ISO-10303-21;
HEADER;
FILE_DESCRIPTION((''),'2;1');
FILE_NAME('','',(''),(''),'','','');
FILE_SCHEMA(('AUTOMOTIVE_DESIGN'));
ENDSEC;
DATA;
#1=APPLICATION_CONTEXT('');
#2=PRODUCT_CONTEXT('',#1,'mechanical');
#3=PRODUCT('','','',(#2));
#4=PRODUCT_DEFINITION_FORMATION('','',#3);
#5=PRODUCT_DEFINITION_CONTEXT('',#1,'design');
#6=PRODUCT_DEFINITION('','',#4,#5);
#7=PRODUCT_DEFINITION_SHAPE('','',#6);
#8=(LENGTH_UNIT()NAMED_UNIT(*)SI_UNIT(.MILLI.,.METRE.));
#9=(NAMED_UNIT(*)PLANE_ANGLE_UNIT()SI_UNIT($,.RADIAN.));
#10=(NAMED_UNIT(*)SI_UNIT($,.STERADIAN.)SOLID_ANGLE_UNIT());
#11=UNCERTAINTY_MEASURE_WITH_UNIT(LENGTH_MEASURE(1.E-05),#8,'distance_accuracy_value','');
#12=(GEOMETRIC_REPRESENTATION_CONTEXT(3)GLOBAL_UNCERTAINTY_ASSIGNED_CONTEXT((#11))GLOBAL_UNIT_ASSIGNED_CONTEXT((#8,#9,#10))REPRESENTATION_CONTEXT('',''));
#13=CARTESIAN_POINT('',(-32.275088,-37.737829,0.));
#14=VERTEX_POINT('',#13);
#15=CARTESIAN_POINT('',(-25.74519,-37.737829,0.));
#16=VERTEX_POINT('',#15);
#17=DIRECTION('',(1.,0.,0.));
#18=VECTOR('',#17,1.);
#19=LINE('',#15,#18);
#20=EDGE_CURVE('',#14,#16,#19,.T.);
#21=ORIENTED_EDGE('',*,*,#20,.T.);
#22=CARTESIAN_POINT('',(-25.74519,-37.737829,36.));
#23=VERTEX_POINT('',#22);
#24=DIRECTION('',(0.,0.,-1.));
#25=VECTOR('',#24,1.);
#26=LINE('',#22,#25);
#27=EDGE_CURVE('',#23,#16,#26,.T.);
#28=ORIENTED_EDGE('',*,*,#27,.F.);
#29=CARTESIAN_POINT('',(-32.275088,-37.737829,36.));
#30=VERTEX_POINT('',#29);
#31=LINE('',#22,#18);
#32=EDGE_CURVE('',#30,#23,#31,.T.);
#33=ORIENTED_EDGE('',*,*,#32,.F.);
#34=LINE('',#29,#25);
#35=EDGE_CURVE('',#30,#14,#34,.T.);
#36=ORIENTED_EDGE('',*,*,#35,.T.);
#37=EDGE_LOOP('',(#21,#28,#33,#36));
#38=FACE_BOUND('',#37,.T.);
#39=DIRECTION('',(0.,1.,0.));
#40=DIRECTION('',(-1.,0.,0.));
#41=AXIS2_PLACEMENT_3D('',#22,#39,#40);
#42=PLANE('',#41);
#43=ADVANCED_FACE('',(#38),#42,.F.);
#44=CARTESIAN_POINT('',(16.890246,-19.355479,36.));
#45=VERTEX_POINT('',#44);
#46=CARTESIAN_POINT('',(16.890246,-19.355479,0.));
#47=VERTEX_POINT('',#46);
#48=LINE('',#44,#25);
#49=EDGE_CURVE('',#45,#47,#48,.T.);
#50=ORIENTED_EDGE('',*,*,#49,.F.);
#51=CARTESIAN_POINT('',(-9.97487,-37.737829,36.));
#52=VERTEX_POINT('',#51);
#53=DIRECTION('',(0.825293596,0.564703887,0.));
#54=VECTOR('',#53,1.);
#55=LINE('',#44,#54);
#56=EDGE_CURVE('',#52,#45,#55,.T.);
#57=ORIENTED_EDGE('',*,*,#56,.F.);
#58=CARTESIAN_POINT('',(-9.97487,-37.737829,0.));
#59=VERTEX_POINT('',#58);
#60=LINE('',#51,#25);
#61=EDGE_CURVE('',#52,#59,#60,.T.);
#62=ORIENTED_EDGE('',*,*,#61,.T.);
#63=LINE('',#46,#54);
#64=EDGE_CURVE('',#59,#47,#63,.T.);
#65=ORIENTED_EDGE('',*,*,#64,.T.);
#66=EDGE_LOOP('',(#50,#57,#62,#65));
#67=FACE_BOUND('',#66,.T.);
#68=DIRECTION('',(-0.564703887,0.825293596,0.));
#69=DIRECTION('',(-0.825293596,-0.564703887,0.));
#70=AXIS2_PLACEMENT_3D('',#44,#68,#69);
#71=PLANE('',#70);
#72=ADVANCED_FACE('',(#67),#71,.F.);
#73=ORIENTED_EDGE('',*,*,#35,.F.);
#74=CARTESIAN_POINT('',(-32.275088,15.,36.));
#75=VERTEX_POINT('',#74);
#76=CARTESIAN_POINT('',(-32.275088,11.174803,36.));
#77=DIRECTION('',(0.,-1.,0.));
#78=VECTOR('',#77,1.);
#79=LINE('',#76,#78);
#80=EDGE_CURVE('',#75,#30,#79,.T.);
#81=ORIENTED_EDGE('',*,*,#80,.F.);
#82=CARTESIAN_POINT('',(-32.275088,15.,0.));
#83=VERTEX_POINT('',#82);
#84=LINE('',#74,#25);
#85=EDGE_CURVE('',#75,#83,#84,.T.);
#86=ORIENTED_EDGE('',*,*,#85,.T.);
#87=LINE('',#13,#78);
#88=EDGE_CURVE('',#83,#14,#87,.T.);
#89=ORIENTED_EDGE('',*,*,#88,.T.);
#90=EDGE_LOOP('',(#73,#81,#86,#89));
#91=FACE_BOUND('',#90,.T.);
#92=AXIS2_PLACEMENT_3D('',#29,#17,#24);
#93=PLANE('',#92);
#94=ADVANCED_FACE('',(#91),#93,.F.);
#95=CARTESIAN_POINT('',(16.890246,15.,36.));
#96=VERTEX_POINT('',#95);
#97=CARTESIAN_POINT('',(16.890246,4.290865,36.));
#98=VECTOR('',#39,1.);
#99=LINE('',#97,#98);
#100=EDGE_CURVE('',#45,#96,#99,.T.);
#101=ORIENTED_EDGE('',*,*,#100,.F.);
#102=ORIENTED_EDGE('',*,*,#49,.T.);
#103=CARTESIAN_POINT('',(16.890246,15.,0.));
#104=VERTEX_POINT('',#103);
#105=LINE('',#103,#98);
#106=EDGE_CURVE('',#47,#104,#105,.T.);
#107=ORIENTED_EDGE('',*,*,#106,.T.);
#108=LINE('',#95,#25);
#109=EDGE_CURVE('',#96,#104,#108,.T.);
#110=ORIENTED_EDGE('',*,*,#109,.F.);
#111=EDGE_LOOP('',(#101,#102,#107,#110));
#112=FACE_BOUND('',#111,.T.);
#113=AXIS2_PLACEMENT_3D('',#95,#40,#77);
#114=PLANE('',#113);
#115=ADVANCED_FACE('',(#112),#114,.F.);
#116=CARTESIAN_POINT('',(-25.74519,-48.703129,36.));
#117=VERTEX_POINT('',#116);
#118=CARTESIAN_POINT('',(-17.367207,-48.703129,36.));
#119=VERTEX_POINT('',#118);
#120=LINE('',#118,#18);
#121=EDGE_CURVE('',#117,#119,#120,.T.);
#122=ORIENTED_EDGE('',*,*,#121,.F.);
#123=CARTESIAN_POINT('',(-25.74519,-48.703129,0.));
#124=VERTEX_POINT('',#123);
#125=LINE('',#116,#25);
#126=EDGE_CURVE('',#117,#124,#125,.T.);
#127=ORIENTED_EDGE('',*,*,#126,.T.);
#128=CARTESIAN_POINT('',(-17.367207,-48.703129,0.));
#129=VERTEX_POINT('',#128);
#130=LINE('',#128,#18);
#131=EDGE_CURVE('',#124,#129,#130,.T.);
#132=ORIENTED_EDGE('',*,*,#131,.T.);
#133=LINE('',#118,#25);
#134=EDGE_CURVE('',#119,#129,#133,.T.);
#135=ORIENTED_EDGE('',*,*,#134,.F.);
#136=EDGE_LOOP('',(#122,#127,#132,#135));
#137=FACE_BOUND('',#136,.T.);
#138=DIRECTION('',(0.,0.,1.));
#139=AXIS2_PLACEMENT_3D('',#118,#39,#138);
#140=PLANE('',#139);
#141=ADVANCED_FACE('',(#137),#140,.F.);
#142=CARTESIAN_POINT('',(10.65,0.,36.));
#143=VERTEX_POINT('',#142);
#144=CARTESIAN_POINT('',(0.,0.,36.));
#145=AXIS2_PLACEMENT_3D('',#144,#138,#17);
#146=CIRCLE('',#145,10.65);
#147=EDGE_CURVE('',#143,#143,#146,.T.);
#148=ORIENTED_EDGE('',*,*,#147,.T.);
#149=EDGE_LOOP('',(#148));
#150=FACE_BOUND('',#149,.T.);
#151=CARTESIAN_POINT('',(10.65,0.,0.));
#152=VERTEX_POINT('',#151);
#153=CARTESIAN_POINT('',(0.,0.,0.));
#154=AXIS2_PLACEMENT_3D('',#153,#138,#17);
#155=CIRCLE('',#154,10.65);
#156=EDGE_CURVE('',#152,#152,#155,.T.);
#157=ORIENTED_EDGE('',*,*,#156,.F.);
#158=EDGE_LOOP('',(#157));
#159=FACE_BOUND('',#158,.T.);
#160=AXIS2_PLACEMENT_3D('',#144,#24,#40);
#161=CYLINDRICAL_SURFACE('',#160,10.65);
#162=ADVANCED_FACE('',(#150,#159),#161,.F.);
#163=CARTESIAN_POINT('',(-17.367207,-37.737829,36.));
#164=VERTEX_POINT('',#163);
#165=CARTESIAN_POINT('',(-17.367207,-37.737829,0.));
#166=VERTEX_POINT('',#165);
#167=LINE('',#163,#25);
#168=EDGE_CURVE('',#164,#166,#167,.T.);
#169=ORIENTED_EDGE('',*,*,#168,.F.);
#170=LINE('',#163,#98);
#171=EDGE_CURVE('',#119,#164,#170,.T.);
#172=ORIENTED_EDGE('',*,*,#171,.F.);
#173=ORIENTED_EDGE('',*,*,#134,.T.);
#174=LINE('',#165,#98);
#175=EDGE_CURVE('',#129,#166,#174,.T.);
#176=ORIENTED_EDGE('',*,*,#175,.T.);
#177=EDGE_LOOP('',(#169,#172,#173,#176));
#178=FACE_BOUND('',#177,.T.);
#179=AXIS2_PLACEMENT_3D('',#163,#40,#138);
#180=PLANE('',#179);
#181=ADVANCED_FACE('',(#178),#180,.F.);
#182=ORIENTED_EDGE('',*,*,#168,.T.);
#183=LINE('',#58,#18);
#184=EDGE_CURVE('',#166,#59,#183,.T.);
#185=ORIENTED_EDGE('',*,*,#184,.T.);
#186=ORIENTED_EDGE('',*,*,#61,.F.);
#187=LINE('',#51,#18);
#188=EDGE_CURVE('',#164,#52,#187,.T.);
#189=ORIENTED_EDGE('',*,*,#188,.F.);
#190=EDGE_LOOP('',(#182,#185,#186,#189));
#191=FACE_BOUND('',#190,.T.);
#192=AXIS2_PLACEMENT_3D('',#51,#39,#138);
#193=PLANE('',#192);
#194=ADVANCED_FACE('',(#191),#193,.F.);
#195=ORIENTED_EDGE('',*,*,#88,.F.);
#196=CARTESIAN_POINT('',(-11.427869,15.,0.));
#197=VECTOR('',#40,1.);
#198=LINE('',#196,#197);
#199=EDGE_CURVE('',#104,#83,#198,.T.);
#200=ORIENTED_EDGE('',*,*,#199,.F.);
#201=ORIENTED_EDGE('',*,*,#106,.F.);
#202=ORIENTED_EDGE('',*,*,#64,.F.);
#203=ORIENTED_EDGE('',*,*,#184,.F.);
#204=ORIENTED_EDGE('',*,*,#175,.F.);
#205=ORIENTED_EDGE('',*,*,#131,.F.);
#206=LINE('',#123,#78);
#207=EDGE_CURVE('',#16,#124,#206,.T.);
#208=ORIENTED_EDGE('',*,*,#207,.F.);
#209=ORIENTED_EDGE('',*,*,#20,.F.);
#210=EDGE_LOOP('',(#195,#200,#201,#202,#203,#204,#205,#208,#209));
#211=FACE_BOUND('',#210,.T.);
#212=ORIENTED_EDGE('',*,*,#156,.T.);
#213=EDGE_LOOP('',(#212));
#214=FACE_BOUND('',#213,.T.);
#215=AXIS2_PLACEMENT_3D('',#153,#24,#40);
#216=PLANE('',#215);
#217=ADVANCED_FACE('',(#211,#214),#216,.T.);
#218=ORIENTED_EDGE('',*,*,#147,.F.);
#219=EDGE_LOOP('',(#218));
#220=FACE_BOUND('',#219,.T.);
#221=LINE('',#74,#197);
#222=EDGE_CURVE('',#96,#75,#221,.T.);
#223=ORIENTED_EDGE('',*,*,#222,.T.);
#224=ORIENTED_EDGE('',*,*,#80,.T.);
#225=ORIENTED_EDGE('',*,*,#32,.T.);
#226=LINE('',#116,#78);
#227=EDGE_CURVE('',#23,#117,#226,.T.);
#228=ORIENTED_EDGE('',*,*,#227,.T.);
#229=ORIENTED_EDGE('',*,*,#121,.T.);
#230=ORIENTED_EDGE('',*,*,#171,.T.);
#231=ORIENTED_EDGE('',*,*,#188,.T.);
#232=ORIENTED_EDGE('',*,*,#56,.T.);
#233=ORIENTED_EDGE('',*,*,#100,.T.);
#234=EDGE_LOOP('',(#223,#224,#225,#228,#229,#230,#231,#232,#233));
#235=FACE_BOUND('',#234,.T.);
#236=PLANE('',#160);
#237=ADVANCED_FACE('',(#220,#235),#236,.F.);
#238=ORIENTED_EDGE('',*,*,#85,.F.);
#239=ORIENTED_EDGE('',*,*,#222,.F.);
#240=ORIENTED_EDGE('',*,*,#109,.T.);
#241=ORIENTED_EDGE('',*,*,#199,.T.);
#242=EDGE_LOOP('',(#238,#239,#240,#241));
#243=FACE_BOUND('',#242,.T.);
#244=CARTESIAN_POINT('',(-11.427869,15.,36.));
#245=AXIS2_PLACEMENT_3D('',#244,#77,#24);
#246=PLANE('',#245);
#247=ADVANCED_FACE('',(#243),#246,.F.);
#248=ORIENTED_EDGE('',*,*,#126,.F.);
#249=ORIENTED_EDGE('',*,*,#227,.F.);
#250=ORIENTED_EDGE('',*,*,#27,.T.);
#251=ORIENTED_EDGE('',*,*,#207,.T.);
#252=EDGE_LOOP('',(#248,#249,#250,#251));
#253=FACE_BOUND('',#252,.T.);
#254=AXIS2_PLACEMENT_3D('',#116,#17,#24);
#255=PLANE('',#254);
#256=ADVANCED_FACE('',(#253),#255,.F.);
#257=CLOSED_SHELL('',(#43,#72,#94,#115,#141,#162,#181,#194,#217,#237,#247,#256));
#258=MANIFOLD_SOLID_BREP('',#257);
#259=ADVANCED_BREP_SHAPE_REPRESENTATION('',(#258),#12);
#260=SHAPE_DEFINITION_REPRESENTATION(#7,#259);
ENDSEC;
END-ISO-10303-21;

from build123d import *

# Parameters (mm, degrees)
SKETCH1_R           = 10.65
BOSS_EXTRUDE1_DEPTH = 36


with BuildPart() as part:
    # Sketch1 → Boss-Extrude1 (new body)
    with BuildSketch(Plane.XY):
        Polygon((-11.427868524, 15), (16.890245931, 15), (16.890245931, 4.290865346), (16.890245931, -19.355478958), (-9.97487005, -37.737828582), (-17.367207375, -37.737828582), (-17.367207375, -48.703128948), (-25.745189678, -48.703128948), (-25.745189678, -37.737828582), (-32.275087648, -37.737828582), (-32.275087648, 11.174803388), (-32.275087648, 15), align=None)
        Circle(SKETCH1_R, mode=Mode.SUBTRACT)
    extrude(amount=BOSS_EXTRUDE1_DEPTH)


solid = part.part
